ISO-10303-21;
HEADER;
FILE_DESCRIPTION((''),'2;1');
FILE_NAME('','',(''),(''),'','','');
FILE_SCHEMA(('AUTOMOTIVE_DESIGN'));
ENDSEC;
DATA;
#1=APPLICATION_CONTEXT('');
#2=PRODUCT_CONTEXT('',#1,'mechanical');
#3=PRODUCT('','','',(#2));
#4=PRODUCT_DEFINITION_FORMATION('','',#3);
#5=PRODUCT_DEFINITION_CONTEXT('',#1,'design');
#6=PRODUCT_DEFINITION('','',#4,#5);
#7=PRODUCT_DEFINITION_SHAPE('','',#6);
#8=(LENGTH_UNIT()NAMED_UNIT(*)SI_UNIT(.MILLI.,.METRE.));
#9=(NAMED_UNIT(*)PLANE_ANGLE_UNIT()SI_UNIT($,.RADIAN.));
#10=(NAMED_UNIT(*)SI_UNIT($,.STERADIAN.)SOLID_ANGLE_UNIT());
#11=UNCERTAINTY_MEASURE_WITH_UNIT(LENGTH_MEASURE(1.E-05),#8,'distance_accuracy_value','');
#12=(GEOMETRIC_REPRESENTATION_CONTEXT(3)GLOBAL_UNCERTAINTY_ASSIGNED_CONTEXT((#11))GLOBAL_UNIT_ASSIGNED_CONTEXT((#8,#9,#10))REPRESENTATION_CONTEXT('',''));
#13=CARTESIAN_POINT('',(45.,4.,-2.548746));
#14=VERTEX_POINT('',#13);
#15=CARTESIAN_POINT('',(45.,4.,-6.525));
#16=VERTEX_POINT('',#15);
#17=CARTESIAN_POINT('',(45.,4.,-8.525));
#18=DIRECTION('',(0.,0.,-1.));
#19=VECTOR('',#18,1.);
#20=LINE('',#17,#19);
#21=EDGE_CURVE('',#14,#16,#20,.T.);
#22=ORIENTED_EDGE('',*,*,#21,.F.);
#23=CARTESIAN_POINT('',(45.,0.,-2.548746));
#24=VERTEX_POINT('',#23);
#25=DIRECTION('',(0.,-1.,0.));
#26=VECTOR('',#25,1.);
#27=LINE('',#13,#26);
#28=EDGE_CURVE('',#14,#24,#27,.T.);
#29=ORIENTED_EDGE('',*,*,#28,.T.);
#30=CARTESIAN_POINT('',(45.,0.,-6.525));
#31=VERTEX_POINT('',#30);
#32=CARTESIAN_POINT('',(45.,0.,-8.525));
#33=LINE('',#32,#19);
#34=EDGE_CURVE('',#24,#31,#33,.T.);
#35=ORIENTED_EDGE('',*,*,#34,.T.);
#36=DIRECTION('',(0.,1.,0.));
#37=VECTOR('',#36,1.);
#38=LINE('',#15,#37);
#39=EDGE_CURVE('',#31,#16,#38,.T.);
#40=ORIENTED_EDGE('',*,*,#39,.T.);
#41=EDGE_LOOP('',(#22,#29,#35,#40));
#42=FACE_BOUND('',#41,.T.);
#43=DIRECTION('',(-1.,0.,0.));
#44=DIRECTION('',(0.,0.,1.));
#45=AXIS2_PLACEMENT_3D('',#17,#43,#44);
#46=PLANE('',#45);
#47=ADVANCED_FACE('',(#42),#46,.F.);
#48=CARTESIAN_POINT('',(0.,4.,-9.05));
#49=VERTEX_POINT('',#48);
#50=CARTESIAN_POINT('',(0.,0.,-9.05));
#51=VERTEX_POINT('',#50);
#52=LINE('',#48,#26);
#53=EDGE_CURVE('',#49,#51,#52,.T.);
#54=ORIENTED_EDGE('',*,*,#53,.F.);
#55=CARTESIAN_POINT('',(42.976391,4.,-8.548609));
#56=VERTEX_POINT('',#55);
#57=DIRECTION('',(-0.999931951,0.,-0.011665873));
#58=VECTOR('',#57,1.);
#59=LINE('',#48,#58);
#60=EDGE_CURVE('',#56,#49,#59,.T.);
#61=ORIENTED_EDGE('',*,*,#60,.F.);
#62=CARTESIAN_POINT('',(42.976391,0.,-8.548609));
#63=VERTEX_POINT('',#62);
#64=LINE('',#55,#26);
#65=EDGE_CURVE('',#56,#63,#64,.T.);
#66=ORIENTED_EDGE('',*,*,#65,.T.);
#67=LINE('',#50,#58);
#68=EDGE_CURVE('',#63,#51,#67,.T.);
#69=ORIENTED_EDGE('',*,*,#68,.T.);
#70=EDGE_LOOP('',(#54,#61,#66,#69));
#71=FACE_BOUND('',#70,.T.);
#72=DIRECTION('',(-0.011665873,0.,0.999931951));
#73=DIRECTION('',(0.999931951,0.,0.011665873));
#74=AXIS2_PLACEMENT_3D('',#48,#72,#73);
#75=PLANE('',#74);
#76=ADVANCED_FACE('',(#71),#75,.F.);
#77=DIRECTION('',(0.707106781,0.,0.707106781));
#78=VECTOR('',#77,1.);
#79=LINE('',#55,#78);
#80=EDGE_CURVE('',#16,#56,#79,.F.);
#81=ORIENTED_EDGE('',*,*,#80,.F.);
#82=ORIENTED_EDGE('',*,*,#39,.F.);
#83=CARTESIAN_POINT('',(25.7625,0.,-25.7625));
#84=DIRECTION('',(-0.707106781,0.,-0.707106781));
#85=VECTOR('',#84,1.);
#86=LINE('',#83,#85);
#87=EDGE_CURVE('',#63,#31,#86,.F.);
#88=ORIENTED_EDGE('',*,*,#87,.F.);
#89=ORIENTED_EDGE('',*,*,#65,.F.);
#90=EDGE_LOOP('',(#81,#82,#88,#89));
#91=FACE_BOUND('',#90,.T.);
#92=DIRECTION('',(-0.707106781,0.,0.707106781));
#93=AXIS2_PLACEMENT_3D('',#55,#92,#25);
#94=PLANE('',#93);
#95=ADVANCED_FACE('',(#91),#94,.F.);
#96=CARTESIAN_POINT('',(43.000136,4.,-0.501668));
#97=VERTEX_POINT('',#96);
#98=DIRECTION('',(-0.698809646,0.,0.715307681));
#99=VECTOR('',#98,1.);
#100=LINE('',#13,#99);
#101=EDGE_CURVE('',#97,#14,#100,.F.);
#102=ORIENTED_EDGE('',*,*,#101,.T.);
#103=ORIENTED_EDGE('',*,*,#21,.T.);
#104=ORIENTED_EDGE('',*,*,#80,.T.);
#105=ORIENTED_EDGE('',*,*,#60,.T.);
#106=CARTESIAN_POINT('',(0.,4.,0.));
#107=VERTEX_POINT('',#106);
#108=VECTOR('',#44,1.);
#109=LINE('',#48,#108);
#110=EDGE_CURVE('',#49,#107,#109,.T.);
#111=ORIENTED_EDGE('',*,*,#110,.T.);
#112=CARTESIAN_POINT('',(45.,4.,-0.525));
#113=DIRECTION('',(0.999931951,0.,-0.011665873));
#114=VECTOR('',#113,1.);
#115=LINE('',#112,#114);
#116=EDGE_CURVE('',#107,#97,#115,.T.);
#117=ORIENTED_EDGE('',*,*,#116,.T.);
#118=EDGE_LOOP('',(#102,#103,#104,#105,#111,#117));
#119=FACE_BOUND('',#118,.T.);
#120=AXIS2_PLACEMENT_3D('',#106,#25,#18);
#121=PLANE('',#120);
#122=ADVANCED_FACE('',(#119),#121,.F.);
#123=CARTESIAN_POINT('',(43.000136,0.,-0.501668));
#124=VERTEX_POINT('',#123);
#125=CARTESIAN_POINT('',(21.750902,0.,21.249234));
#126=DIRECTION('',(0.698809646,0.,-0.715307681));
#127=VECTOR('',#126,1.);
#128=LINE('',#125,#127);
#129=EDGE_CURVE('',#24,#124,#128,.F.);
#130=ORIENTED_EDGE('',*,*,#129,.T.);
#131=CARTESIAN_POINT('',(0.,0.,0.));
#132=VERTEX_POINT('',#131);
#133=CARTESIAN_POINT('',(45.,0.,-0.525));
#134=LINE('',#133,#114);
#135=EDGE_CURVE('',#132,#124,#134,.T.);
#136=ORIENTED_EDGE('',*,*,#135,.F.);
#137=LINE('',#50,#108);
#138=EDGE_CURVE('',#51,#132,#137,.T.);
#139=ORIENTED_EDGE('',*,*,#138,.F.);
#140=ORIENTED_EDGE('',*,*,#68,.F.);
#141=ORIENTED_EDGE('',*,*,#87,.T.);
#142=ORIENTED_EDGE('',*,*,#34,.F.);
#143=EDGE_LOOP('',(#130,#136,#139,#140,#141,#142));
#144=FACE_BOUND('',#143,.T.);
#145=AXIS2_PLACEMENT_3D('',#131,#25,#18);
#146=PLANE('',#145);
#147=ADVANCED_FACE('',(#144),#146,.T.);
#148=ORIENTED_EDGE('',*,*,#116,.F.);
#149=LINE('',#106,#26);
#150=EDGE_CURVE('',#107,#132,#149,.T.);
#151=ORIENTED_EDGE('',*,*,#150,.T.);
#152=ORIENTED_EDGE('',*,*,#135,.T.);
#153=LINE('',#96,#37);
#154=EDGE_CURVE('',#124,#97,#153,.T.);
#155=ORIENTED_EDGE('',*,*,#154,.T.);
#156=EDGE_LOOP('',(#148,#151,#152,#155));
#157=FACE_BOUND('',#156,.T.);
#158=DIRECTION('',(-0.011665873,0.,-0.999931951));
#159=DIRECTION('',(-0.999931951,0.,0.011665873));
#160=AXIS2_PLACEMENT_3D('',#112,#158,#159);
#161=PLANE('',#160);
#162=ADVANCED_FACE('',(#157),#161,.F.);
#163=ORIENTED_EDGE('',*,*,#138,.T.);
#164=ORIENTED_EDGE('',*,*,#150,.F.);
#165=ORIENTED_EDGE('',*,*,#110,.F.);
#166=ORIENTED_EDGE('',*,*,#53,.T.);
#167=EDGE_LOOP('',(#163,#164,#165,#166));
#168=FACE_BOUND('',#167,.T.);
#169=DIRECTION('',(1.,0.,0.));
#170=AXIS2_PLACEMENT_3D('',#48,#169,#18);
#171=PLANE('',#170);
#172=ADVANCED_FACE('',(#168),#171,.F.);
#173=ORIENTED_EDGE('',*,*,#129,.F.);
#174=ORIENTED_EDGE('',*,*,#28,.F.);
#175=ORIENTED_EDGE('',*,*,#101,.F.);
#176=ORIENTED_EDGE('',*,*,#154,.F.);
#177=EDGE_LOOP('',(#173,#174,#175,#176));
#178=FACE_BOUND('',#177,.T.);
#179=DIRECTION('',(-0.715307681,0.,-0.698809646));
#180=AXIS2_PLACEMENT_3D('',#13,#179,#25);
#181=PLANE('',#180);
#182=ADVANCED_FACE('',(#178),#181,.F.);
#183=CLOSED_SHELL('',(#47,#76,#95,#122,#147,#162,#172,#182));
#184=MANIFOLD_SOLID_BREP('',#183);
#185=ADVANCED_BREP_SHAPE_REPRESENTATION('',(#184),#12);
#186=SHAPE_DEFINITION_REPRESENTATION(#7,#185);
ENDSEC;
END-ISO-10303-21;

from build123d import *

# Parameters (mm, degrees)
BOSS_EXTRUDE1_DEPTH   = 4
CHAMFER2_SIZE2        = 2
CHAMFER2_SIZE         = 2.023746482
CHAMFER2_EDGE_2_SIZE2 = 2
CHAMFER2_EDGE_2_SIZE  = 2.023746482


with BuildPart() as part:
    # Sketch2 → Boss-Extrude1 (new body)
    with BuildSketch(Plane(origin=(0, 0, 0), x_dir=(1, 0, 0), z_dir=(0, 1, 0))):
        Polygon((0, 9.05), (45, 8.525), (45, 0.525), (0, 0), align=None)
    extrude(amount=BOSS_EXTRUDE1_DEPTH)

    # Chamfer2
    chamfer2_edges = [part.edges().sort_by_distance(p)[0] for p in [
        (45, 2, -8.525),
    ]]
    chamfer(chamfer2_edges, length=CHAMFER2_SIZE, length2=CHAMFER2_SIZE2)

    # Chamfer2 edge 2
    chamfer2_edge_2_edges = [part.edges().sort_by_distance(p)[0] for p in [
        (45, 2, -0.525),
    ]]
    chamfer(chamfer2_edge_2_edges, length=CHAMFER2_EDGE_2_SIZE, length2=CHAMFER2_EDGE_2_SIZE2)


solid = part.part
